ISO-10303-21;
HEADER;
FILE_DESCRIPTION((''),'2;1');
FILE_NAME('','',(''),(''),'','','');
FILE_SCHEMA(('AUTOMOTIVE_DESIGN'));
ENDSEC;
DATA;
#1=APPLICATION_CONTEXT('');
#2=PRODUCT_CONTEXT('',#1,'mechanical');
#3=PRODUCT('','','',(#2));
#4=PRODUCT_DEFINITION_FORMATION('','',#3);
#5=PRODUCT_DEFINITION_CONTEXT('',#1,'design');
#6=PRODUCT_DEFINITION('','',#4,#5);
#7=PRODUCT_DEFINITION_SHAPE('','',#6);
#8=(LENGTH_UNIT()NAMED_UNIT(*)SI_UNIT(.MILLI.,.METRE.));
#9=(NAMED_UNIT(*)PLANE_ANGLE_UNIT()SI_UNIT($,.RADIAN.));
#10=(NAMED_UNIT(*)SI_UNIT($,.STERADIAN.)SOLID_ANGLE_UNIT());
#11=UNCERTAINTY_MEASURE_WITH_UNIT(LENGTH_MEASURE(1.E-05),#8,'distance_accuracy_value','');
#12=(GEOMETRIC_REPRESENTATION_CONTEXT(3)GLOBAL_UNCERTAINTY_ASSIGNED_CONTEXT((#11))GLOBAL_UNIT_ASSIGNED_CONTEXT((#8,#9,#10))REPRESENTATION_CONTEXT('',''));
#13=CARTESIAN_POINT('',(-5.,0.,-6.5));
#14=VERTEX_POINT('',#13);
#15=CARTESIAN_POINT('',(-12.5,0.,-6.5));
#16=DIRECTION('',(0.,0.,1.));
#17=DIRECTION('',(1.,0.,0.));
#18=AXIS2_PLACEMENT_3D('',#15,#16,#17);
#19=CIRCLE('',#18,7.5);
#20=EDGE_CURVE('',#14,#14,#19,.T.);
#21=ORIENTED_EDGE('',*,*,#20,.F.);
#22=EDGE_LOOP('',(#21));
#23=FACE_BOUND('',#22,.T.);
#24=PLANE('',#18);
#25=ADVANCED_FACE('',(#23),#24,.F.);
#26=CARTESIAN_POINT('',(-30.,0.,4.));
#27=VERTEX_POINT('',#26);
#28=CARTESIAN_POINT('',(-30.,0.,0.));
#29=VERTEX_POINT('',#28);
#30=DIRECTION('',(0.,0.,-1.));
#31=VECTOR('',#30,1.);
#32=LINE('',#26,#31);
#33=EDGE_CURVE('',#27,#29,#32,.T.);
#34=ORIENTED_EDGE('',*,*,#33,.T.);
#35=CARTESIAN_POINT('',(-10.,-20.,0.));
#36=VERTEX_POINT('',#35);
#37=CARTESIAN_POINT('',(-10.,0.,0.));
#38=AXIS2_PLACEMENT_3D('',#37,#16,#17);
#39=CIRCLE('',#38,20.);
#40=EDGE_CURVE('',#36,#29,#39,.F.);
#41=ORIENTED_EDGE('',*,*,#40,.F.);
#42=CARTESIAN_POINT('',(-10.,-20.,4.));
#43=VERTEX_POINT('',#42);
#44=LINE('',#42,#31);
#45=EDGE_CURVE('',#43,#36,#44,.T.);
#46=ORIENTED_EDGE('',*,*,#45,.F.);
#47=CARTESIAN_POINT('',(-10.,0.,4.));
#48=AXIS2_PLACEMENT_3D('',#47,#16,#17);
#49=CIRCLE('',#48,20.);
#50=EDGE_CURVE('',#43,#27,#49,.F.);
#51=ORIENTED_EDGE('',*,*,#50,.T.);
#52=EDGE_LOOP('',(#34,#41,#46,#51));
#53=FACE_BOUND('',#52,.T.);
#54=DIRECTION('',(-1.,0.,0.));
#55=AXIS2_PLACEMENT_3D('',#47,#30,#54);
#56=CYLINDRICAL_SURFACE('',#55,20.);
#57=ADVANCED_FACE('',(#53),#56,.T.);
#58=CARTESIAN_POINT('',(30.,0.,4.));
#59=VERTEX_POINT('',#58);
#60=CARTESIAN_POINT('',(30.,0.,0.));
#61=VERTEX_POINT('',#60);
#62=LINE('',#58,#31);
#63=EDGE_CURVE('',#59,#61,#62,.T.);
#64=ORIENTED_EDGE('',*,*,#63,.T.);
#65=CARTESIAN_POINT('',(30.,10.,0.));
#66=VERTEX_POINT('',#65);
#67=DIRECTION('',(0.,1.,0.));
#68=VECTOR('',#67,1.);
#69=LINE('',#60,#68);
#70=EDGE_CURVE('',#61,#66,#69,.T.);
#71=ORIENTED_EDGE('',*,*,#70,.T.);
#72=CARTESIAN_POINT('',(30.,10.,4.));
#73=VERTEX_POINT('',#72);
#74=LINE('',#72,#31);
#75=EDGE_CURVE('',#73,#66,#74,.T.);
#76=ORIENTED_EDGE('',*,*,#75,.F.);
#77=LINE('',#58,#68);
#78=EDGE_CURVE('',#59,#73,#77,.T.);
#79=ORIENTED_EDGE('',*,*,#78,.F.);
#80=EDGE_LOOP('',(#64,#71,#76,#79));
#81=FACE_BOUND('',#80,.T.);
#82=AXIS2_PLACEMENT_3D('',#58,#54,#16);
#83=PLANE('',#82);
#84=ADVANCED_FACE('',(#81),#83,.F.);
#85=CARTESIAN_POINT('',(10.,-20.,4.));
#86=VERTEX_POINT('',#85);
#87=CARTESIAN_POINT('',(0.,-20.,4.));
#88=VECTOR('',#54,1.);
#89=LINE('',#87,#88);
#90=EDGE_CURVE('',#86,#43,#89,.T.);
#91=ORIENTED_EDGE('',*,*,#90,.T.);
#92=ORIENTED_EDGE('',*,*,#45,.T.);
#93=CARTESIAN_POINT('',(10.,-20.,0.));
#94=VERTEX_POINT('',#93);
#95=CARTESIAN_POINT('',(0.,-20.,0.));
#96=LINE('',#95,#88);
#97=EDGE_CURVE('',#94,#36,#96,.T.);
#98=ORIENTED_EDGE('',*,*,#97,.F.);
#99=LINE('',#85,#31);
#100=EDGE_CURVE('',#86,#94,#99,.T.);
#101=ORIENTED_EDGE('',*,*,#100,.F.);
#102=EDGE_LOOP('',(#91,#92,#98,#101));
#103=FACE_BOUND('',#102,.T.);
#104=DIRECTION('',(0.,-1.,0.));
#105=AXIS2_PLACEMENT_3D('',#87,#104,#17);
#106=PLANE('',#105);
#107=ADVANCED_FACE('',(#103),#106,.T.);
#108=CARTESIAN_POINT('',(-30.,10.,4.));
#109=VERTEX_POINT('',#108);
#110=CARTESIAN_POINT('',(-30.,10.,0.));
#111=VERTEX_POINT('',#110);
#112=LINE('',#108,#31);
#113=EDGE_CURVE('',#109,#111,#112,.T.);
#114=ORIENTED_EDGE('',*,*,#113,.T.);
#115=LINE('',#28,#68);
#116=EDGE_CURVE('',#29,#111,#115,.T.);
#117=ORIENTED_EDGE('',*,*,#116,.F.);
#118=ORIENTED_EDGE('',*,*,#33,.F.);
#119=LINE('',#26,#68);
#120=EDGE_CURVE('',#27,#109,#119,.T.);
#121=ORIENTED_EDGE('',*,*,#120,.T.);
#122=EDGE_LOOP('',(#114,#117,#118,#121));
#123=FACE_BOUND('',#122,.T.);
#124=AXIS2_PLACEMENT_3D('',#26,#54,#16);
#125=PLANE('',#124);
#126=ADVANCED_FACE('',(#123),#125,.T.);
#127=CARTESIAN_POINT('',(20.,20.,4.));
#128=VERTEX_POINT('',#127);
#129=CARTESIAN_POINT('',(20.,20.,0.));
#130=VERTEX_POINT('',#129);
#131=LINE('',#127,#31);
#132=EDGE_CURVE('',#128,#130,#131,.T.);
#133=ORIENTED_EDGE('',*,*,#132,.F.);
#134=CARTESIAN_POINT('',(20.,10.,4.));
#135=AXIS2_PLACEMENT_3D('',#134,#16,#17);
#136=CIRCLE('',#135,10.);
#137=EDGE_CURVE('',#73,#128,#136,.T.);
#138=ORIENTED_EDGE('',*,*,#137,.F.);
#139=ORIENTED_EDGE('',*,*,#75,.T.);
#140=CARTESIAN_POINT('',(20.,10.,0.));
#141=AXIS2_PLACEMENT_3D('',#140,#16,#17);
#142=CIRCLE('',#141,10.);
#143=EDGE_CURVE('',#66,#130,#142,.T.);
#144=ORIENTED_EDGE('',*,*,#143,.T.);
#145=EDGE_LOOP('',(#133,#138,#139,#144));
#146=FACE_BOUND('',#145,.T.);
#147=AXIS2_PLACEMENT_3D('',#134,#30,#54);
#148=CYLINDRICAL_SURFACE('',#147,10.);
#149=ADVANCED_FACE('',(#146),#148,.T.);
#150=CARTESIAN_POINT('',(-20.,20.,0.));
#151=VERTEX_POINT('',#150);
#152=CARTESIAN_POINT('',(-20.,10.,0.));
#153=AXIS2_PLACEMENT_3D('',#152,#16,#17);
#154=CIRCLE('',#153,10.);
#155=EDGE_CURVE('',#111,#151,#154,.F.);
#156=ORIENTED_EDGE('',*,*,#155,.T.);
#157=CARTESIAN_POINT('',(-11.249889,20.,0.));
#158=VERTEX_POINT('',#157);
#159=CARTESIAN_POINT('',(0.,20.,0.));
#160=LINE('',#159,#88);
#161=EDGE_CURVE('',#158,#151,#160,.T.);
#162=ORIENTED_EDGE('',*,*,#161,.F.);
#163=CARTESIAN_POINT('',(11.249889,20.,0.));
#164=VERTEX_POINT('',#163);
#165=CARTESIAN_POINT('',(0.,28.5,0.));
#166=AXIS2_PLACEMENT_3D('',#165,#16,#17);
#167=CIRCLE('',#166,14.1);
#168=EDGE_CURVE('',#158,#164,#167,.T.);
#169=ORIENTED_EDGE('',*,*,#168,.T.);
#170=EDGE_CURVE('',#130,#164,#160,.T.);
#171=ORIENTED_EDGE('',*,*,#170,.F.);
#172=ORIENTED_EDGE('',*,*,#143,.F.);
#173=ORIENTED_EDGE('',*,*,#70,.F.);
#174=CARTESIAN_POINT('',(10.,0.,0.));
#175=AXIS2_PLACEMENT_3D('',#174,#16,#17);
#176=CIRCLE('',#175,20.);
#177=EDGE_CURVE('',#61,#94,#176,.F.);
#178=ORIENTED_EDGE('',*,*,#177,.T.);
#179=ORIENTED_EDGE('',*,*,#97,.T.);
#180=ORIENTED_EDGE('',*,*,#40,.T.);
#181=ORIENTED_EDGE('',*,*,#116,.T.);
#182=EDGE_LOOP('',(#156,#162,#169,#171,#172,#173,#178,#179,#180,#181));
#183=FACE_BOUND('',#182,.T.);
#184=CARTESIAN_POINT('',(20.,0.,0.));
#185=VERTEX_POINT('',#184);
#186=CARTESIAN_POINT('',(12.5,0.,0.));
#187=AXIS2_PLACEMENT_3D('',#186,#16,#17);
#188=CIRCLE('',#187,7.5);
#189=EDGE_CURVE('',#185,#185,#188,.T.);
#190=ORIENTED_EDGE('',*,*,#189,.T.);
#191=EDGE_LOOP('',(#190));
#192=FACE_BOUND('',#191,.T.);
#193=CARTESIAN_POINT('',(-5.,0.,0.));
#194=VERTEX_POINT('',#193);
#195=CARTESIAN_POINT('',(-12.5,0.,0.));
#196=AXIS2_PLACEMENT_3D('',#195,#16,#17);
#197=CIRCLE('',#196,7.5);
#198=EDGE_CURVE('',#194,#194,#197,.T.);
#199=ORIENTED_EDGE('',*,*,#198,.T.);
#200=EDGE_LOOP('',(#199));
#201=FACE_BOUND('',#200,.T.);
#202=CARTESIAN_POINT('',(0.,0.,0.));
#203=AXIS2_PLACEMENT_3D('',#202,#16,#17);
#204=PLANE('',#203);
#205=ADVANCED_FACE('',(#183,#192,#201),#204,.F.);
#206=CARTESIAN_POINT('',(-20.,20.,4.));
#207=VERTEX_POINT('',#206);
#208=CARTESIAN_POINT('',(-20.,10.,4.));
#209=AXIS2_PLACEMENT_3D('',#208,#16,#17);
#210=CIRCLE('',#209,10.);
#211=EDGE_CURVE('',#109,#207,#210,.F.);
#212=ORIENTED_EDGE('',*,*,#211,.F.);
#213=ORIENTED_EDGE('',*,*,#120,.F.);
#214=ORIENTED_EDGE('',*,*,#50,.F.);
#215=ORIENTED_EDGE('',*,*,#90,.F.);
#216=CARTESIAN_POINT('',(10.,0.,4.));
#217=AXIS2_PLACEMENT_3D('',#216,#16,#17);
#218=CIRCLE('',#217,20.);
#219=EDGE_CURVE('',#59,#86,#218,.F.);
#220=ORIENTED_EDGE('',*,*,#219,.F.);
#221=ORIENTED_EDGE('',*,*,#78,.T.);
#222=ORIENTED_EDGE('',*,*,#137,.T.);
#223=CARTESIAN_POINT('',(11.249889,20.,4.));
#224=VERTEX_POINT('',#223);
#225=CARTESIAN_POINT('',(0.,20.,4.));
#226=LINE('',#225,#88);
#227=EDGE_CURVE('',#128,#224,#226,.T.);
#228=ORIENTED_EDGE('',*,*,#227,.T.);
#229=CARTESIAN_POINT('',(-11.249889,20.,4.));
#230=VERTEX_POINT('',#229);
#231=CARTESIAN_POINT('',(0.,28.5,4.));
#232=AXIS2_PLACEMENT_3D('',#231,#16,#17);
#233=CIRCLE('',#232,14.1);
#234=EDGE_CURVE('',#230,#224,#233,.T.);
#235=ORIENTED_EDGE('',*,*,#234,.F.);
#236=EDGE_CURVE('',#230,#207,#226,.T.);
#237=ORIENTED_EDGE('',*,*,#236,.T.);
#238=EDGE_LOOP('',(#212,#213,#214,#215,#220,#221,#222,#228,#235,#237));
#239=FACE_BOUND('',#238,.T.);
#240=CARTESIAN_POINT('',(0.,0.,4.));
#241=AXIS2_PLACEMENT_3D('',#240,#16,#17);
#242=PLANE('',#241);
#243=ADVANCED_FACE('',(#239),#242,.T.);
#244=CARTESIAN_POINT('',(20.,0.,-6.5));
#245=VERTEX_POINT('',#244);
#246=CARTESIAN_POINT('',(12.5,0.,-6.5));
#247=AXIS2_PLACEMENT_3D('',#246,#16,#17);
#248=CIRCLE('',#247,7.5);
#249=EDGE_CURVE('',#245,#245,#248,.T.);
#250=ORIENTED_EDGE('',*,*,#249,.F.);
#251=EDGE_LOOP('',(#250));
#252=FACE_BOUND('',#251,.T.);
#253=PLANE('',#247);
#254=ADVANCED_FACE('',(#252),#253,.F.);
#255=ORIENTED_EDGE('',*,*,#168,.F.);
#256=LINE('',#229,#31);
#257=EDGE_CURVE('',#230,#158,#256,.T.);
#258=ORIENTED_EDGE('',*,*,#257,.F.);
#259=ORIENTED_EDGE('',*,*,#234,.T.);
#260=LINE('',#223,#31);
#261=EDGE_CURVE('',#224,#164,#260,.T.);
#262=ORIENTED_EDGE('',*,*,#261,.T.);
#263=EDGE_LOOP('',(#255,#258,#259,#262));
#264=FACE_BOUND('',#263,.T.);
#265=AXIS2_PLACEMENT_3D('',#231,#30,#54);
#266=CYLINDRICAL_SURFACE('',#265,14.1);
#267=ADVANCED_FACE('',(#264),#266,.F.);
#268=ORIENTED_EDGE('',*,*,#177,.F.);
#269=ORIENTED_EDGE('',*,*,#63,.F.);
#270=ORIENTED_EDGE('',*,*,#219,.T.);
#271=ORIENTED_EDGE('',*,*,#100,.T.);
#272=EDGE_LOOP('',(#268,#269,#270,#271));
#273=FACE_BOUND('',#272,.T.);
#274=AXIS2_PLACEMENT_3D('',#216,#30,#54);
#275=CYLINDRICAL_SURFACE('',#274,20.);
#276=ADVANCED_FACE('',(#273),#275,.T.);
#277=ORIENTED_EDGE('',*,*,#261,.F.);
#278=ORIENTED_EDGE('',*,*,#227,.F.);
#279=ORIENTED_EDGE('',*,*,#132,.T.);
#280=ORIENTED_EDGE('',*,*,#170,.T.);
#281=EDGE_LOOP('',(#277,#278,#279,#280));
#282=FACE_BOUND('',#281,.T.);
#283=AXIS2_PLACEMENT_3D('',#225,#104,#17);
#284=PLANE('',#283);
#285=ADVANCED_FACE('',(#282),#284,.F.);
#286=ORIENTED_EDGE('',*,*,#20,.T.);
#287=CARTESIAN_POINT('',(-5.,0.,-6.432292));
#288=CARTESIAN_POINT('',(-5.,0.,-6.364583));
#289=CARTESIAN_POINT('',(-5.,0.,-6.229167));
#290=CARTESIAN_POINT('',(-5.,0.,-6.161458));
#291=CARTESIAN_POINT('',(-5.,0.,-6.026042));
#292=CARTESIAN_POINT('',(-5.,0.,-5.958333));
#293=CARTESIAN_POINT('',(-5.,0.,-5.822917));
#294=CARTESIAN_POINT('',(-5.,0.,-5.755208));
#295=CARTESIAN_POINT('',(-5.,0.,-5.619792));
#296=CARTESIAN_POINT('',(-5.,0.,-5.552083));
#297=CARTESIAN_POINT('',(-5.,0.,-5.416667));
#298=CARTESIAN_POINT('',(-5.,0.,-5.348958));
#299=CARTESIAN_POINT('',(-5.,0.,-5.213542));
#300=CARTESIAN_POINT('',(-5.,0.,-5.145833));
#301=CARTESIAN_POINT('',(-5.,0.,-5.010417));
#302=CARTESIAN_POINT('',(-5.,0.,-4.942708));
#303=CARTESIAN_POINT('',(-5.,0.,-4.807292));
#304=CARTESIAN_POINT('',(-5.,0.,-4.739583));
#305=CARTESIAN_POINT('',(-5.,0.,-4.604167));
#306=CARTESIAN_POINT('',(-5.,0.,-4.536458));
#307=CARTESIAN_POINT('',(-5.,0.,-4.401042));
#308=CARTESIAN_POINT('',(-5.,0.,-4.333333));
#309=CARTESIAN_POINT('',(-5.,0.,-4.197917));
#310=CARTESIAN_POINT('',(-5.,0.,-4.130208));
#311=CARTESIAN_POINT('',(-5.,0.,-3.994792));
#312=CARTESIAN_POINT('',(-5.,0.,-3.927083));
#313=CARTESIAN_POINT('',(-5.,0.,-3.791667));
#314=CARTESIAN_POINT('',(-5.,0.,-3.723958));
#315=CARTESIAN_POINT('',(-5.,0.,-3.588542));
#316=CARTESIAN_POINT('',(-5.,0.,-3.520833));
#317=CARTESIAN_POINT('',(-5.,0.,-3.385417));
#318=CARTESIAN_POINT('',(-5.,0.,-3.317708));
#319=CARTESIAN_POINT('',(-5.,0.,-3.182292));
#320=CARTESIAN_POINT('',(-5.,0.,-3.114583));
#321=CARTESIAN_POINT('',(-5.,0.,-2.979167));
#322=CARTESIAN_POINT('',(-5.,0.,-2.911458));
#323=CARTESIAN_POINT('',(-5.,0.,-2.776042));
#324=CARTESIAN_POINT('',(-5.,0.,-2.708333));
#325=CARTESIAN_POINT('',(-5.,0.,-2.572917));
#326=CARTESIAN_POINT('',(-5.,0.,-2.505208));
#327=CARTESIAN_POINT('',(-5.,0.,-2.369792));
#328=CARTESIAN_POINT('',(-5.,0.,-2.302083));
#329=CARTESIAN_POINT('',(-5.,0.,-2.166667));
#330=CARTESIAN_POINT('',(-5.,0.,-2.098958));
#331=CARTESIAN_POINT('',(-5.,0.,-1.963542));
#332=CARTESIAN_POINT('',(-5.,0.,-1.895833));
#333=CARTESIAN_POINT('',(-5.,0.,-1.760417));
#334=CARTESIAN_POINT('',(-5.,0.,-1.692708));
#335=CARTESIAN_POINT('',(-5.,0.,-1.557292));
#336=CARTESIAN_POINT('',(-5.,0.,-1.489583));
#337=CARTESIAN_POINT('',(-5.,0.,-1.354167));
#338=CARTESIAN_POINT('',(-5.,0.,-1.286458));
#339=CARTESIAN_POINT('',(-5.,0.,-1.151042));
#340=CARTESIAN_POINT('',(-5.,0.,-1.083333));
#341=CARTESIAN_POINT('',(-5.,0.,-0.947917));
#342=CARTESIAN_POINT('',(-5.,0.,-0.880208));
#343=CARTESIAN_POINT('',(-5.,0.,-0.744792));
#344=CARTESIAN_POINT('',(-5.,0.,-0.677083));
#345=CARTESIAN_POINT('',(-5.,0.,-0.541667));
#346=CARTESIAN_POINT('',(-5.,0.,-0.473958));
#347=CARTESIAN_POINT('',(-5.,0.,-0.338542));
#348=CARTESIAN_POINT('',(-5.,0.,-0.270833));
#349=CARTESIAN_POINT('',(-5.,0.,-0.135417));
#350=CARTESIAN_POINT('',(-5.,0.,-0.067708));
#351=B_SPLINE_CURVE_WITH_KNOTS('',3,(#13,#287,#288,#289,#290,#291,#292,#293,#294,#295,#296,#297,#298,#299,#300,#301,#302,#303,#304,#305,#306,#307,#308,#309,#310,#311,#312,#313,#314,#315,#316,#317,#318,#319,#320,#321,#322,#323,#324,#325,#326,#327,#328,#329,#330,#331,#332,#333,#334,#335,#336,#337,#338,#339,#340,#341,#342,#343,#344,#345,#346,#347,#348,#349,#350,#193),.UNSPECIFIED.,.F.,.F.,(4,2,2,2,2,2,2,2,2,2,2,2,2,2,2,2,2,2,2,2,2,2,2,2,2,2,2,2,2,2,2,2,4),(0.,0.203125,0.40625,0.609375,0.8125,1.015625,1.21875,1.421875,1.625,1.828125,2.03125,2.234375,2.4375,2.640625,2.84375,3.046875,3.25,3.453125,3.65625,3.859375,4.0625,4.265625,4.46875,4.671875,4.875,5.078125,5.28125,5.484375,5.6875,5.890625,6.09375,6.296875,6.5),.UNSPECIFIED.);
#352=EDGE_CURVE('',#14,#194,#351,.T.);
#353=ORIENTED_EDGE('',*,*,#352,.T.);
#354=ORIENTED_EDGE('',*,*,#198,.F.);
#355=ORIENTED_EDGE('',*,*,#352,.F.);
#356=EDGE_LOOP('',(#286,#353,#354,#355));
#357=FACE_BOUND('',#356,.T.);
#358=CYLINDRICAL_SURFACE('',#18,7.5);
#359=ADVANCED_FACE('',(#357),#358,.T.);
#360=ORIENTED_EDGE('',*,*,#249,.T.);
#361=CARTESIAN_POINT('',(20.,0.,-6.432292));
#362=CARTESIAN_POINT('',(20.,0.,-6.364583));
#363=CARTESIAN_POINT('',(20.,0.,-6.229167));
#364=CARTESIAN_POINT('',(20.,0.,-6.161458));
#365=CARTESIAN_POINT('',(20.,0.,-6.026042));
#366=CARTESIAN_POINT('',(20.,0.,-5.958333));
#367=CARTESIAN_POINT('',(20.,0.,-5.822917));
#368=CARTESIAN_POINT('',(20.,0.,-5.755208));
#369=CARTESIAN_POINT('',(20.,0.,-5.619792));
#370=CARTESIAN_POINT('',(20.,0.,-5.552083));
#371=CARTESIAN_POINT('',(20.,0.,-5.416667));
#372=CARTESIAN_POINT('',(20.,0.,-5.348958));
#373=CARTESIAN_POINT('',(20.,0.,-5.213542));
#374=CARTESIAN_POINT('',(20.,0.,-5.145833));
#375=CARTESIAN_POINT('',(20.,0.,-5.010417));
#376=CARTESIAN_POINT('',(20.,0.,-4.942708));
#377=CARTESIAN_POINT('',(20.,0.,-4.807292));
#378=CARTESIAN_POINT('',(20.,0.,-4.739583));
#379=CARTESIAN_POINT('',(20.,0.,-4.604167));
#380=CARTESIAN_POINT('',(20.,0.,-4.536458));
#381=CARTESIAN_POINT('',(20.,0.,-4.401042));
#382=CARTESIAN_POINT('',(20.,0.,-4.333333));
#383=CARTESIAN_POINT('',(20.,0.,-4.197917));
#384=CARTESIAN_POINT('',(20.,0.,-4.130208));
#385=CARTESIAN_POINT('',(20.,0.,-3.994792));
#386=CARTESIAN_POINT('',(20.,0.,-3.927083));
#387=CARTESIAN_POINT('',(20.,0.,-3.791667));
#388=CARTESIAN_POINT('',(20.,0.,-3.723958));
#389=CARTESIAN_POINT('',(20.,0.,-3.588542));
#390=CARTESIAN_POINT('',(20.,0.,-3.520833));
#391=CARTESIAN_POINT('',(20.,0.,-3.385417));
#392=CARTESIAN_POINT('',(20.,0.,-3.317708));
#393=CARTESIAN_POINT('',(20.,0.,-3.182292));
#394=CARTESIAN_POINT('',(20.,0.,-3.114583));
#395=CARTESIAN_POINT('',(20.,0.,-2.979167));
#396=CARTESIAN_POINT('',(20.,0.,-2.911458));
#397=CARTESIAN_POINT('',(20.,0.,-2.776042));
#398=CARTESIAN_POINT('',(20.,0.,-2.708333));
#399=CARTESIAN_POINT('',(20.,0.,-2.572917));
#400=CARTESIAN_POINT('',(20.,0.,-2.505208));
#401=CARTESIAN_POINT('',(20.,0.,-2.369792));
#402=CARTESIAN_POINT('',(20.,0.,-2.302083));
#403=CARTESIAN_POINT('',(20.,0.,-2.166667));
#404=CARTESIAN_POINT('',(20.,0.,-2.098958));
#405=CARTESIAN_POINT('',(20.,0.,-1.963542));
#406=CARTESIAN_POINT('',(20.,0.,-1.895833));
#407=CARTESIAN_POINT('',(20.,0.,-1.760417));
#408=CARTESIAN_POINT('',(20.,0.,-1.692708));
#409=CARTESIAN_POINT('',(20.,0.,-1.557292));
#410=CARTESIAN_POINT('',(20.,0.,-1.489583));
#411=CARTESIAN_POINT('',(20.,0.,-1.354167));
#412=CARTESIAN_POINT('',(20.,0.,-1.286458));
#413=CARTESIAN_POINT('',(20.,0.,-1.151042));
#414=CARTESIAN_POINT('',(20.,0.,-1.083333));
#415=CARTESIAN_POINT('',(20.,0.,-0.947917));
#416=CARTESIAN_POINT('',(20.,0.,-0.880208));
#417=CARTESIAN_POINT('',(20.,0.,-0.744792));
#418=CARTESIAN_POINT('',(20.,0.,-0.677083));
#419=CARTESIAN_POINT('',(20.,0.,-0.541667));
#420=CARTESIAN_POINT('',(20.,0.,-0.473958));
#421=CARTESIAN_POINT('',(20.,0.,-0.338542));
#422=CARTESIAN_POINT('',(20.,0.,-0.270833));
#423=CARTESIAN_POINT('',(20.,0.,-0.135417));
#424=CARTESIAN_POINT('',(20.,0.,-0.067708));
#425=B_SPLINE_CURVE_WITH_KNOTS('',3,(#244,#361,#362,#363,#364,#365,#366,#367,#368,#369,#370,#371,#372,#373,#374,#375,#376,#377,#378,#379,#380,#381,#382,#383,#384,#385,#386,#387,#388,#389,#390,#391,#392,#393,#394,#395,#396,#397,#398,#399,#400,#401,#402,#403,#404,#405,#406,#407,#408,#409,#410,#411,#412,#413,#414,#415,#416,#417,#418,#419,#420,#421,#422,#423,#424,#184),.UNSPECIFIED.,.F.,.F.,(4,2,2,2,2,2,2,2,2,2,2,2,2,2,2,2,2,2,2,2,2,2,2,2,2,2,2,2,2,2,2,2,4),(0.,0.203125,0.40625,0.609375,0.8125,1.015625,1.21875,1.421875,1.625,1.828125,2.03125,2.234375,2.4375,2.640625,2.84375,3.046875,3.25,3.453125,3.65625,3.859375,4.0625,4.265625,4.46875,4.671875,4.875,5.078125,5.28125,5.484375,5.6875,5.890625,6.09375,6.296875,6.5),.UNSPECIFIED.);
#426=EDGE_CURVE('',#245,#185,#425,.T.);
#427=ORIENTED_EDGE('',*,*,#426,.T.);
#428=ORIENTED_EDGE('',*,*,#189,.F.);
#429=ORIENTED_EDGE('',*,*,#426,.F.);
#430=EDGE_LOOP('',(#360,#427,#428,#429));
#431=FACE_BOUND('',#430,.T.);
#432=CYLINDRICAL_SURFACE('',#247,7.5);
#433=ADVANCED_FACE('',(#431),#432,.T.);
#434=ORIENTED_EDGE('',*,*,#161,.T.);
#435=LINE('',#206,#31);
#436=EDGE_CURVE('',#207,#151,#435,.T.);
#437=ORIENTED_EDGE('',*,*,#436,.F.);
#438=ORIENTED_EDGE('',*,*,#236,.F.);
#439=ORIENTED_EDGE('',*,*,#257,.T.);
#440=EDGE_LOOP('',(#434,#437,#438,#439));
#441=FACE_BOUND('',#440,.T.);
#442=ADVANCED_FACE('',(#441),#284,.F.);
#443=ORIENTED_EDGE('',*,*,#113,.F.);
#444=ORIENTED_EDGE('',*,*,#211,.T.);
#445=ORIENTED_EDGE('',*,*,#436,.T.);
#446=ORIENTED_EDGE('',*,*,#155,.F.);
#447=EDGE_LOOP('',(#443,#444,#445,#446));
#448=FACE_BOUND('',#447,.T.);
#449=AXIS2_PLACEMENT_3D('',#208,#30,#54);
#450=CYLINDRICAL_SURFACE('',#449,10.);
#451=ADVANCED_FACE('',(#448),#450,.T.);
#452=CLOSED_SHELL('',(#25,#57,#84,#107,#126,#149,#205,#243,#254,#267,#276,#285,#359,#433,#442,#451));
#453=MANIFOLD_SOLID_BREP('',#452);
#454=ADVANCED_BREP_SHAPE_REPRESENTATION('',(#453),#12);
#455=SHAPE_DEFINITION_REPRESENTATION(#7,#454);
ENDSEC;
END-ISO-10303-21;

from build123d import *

# Parameters (mm, degrees)
EXTRUDE_1_DEPTH = 4
SKETCH_3_R      = 7.5
EXTRUDE_2_DEPTH = 6.5


with BuildPart() as part:
    # 草图1 → 凸台-拉伸1 (new body)
    with BuildSketch(Plane.XY):
        with BuildLine():
            Line((-10, -20), (10, -20))
            ThreePointArc((10, -20), (24.142135624, -14.142135624), (30, 0))
            Line((30, 0), (30, 10))
            ThreePointArc((30, 10), (27.071067812, 17.071067812), (20, 20))
            Line((20, 20), (11.249888888, 20))
            ThreePointArc((11.249888888, 20), (0, 14.4), (-11.249888888, 20))
            Line((-11.249888888, 20), (-20, 20))
            ThreePointArc((-20, 20), (-27.071067812, 17.071067812), (-30, 10))
            Line((-30, 10), (-30, 0))
            ThreePointArc((-30, 0), (-24.142135624, -14.142135624), (-10, -20))
        make_face()
    extrude(amount=EXTRUDE_1_DEPTH)

    # 草图3 → 凸台-拉伸2 (add)
    with BuildSketch(Plane.XY):
        with Locations((-12.5, 0)):
            Circle(SKETCH_3_R)
        with Locations((12.5, 0)):
            Circle(SKETCH_3_R)
    extrude(amount=-EXTRUDE_2_DEPTH)


solid = part.part
